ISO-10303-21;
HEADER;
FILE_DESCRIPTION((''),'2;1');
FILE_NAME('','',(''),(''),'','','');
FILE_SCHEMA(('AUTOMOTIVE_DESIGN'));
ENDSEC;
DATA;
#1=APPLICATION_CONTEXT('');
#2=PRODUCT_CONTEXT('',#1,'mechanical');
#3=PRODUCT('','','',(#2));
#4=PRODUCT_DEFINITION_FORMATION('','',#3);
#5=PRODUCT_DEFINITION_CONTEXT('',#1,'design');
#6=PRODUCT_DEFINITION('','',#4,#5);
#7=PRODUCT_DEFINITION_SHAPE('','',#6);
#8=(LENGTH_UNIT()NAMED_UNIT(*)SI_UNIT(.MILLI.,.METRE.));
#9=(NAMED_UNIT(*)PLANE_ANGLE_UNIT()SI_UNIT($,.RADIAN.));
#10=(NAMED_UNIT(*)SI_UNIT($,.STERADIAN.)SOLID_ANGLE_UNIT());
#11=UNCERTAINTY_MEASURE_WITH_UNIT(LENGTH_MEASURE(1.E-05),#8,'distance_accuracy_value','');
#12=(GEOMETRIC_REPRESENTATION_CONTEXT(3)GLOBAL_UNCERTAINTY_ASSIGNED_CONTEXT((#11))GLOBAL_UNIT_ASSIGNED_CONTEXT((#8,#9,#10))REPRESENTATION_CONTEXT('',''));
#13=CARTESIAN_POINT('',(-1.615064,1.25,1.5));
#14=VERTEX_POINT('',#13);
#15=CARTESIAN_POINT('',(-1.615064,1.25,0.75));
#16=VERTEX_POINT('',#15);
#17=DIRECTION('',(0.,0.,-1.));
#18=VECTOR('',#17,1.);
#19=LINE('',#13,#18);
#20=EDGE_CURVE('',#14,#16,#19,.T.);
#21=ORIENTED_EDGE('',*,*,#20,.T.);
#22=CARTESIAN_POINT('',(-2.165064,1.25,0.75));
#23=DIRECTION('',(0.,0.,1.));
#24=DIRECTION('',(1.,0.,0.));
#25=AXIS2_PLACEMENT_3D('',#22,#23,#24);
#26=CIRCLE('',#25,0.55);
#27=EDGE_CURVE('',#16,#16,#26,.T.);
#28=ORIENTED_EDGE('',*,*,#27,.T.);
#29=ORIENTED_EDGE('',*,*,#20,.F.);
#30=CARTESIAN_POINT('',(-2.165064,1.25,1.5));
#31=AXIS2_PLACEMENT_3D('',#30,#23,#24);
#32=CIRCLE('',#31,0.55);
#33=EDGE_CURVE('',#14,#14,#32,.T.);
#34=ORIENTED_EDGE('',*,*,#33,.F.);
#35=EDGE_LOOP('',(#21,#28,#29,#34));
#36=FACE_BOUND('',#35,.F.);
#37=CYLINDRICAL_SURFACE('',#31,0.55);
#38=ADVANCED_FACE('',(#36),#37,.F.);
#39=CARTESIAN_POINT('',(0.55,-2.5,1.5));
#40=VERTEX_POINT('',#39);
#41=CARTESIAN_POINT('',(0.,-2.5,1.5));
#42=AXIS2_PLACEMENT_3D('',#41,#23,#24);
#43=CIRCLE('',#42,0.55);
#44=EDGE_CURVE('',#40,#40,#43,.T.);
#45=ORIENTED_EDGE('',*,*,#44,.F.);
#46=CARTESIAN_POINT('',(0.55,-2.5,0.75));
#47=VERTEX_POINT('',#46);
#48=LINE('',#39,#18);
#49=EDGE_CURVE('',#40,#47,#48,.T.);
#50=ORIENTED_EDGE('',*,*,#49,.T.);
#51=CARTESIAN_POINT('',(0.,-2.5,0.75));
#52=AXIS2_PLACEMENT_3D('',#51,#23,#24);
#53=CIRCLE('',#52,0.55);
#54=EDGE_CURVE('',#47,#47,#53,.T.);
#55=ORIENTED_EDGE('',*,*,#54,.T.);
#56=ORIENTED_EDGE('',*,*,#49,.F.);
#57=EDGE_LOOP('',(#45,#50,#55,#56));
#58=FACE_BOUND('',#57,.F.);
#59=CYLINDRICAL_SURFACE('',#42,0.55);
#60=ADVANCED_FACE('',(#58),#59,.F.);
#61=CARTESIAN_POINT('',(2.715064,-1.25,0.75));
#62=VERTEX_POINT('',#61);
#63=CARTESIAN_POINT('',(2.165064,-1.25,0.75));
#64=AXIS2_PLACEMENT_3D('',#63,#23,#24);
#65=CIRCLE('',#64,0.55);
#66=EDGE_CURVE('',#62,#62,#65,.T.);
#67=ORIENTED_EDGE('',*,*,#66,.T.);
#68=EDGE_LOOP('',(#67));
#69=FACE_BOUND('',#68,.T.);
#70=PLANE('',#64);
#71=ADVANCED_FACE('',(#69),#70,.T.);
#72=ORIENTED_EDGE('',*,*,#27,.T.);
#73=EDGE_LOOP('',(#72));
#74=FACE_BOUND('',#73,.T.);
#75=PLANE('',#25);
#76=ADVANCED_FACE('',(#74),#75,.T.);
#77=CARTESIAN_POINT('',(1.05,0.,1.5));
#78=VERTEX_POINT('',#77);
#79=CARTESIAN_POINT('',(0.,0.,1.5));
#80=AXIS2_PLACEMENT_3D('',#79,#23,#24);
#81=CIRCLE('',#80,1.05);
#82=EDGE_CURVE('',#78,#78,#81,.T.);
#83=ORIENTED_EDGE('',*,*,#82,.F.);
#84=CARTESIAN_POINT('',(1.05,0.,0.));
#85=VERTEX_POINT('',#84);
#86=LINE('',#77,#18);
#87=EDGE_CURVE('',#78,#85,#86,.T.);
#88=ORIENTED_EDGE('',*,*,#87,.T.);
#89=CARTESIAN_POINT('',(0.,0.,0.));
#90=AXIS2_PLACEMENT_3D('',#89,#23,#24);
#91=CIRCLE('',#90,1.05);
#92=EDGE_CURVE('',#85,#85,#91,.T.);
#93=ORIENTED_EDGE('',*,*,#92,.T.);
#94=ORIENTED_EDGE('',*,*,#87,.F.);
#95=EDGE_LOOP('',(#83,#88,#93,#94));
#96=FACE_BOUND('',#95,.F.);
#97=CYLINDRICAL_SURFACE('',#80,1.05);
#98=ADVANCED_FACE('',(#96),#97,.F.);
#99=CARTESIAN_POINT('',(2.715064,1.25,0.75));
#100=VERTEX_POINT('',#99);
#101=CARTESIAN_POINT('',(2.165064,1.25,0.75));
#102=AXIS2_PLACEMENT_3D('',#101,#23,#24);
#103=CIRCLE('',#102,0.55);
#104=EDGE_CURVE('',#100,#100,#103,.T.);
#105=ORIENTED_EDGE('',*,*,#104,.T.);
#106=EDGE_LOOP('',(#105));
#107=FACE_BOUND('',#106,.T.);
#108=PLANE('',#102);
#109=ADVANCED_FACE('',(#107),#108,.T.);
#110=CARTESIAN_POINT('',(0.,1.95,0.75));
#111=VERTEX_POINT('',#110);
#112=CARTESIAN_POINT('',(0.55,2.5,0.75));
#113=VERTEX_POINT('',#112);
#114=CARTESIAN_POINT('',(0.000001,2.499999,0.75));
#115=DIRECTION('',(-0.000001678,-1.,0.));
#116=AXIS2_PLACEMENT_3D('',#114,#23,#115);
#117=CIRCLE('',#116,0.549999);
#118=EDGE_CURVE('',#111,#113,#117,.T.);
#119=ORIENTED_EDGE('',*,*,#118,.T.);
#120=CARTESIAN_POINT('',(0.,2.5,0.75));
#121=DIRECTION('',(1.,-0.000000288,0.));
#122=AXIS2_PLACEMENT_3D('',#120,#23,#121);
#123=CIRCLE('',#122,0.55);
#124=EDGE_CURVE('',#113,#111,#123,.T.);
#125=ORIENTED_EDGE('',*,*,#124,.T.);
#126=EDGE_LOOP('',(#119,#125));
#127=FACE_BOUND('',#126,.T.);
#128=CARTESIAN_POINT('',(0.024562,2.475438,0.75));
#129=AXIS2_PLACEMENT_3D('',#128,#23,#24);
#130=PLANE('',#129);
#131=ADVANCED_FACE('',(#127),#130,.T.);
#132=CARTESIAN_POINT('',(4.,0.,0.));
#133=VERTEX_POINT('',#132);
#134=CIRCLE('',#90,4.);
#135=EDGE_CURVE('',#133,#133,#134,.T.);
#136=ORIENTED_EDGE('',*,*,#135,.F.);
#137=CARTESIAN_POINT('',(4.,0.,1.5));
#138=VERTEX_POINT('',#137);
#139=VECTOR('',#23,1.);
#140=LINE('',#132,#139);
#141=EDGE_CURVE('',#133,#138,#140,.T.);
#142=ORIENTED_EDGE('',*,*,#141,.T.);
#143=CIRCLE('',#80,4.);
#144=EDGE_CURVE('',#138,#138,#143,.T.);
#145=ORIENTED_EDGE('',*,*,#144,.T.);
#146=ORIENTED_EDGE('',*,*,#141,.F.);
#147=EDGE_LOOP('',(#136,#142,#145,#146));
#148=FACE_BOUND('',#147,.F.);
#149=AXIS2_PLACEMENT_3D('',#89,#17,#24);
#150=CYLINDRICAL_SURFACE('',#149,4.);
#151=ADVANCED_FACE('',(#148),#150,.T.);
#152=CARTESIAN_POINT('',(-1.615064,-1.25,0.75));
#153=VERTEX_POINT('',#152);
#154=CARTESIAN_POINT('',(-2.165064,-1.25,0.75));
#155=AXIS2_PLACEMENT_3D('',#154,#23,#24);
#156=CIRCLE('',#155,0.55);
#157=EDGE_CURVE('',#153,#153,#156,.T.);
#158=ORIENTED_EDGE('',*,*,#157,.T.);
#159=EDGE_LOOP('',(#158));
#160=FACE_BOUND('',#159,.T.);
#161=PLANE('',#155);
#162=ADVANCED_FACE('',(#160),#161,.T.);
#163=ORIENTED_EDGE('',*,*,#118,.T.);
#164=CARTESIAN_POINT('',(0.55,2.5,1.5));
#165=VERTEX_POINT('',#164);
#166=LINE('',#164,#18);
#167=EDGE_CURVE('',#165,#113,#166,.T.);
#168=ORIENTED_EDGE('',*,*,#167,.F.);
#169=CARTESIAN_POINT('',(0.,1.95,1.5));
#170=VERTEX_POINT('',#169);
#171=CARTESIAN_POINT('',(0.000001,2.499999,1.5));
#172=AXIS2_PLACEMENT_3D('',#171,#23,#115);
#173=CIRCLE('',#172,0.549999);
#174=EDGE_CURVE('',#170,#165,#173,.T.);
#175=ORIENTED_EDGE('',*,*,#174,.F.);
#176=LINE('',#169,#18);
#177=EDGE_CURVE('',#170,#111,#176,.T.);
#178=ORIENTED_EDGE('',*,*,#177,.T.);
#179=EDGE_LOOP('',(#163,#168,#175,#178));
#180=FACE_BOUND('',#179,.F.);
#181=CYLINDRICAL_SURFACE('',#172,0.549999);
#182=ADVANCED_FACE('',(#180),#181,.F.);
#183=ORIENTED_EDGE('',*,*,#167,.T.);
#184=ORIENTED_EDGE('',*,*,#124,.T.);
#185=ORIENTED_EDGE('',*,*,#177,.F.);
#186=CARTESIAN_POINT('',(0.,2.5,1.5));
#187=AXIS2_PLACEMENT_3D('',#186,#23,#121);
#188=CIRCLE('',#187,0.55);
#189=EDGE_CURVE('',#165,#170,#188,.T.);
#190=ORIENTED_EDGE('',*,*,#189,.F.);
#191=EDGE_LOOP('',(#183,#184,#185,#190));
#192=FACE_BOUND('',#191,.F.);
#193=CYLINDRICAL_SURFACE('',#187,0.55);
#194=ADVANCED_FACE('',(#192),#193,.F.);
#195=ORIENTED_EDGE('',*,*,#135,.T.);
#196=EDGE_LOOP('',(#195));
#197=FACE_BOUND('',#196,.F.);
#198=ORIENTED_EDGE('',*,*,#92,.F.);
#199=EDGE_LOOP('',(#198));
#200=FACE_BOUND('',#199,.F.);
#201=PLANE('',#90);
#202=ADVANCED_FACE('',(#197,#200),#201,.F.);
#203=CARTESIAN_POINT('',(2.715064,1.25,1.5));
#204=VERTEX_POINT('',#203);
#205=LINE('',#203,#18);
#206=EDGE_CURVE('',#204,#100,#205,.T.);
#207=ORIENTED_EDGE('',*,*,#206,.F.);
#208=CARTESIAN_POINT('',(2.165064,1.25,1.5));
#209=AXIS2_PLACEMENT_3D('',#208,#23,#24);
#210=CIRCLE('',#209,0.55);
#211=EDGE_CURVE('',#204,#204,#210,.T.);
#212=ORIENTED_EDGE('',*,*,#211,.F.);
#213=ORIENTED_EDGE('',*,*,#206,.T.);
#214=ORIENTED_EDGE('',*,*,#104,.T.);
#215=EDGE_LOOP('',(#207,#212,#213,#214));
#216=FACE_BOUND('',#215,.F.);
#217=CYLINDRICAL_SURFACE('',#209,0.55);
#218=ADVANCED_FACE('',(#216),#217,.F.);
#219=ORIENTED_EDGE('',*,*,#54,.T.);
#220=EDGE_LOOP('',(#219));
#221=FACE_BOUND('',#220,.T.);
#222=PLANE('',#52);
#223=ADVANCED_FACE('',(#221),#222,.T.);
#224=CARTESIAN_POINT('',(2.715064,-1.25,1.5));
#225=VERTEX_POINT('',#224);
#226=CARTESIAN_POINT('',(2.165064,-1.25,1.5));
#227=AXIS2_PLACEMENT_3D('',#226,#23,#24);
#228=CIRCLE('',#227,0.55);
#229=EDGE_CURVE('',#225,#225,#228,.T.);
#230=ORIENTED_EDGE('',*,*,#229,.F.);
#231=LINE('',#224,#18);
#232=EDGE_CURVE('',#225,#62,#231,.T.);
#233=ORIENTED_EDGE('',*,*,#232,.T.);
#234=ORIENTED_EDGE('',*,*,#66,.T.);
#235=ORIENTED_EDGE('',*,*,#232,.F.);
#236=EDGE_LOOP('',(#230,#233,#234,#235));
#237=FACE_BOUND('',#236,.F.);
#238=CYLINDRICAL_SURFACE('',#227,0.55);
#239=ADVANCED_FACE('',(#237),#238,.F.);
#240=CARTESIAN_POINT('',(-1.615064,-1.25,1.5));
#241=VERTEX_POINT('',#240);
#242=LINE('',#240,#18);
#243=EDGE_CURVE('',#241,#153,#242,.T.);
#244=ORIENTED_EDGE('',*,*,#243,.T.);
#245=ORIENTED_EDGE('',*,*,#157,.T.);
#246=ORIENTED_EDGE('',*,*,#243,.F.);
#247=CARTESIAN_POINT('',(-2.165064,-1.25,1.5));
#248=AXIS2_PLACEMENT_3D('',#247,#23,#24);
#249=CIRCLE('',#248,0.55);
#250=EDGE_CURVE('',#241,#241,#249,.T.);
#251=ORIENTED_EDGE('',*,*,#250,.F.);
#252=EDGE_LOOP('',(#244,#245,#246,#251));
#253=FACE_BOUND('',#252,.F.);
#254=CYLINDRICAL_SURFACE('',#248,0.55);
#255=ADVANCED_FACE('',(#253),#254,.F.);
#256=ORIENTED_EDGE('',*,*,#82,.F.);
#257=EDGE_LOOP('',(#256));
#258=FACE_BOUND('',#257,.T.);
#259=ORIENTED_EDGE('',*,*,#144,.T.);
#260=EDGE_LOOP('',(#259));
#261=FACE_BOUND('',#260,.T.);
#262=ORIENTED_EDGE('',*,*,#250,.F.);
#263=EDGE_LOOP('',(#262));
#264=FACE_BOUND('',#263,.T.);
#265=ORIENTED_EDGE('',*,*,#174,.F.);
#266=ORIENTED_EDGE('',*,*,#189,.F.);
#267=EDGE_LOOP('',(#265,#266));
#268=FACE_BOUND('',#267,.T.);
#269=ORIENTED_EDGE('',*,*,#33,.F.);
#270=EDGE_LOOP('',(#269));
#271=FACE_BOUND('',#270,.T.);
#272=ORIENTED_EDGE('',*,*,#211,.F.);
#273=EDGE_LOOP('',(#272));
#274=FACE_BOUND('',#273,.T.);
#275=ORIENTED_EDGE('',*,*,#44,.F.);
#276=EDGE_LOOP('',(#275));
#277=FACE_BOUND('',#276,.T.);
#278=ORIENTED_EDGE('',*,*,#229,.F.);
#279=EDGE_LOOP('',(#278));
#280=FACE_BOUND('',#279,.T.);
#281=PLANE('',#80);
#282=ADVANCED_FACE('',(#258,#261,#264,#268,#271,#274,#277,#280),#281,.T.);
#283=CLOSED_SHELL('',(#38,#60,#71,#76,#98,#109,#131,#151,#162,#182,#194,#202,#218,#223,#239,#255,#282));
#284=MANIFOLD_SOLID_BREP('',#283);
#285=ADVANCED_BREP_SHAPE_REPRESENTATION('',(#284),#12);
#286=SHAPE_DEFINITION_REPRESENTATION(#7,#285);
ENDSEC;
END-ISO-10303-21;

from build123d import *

# Parameters (mm, degrees)
F0_R     = 4
F1_DEPTH = 1.5
F2_R     = 0.55
F3_DEPTH = 0.75
F4_R     = 1.05
F5_DEPTH = 25


with BuildPart() as f1:
    # F0 (on Top) → F1 (new body)
    with BuildSketch(Plane.XY):
        Circle(F0_R)
    extrude(amount=F1_DEPTH)

    # F2 (on face) → F3 (cut)
    with BuildSketch(Plane.XY.offset(1.5)):
        with BuildLine():
            ThreePointArc((0, 1.95), (0.388909, 2.111091), (0.55, 2.5))
            ThreePointArc((0.55, 2.5), (-0.388909, 2.888909), (0, 1.95))
        make_face()
        with Locations((-2.165064, 1.25)):
            Circle(F2_R)
        with Locations((-2.165064, -1.25)):
            Circle(F2_R)
        with Locations((2.165064, 1.25)):
            Circle(F2_R)
        with Locations((2.165064, -1.25)):
            Circle(F2_R)
        with Locations((0, -2.5)):
            Circle(F2_R)
    extrude(amount=-F3_DEPTH, mode=Mode.SUBTRACT)

    # F4 (on face) → F5 (cut)
    with BuildSketch(Plane.XY.offset(1.5)):
        Circle(F4_R)
    extrude(amount=-F5_DEPTH, mode=Mode.SUBTRACT)


solid = f1.part
